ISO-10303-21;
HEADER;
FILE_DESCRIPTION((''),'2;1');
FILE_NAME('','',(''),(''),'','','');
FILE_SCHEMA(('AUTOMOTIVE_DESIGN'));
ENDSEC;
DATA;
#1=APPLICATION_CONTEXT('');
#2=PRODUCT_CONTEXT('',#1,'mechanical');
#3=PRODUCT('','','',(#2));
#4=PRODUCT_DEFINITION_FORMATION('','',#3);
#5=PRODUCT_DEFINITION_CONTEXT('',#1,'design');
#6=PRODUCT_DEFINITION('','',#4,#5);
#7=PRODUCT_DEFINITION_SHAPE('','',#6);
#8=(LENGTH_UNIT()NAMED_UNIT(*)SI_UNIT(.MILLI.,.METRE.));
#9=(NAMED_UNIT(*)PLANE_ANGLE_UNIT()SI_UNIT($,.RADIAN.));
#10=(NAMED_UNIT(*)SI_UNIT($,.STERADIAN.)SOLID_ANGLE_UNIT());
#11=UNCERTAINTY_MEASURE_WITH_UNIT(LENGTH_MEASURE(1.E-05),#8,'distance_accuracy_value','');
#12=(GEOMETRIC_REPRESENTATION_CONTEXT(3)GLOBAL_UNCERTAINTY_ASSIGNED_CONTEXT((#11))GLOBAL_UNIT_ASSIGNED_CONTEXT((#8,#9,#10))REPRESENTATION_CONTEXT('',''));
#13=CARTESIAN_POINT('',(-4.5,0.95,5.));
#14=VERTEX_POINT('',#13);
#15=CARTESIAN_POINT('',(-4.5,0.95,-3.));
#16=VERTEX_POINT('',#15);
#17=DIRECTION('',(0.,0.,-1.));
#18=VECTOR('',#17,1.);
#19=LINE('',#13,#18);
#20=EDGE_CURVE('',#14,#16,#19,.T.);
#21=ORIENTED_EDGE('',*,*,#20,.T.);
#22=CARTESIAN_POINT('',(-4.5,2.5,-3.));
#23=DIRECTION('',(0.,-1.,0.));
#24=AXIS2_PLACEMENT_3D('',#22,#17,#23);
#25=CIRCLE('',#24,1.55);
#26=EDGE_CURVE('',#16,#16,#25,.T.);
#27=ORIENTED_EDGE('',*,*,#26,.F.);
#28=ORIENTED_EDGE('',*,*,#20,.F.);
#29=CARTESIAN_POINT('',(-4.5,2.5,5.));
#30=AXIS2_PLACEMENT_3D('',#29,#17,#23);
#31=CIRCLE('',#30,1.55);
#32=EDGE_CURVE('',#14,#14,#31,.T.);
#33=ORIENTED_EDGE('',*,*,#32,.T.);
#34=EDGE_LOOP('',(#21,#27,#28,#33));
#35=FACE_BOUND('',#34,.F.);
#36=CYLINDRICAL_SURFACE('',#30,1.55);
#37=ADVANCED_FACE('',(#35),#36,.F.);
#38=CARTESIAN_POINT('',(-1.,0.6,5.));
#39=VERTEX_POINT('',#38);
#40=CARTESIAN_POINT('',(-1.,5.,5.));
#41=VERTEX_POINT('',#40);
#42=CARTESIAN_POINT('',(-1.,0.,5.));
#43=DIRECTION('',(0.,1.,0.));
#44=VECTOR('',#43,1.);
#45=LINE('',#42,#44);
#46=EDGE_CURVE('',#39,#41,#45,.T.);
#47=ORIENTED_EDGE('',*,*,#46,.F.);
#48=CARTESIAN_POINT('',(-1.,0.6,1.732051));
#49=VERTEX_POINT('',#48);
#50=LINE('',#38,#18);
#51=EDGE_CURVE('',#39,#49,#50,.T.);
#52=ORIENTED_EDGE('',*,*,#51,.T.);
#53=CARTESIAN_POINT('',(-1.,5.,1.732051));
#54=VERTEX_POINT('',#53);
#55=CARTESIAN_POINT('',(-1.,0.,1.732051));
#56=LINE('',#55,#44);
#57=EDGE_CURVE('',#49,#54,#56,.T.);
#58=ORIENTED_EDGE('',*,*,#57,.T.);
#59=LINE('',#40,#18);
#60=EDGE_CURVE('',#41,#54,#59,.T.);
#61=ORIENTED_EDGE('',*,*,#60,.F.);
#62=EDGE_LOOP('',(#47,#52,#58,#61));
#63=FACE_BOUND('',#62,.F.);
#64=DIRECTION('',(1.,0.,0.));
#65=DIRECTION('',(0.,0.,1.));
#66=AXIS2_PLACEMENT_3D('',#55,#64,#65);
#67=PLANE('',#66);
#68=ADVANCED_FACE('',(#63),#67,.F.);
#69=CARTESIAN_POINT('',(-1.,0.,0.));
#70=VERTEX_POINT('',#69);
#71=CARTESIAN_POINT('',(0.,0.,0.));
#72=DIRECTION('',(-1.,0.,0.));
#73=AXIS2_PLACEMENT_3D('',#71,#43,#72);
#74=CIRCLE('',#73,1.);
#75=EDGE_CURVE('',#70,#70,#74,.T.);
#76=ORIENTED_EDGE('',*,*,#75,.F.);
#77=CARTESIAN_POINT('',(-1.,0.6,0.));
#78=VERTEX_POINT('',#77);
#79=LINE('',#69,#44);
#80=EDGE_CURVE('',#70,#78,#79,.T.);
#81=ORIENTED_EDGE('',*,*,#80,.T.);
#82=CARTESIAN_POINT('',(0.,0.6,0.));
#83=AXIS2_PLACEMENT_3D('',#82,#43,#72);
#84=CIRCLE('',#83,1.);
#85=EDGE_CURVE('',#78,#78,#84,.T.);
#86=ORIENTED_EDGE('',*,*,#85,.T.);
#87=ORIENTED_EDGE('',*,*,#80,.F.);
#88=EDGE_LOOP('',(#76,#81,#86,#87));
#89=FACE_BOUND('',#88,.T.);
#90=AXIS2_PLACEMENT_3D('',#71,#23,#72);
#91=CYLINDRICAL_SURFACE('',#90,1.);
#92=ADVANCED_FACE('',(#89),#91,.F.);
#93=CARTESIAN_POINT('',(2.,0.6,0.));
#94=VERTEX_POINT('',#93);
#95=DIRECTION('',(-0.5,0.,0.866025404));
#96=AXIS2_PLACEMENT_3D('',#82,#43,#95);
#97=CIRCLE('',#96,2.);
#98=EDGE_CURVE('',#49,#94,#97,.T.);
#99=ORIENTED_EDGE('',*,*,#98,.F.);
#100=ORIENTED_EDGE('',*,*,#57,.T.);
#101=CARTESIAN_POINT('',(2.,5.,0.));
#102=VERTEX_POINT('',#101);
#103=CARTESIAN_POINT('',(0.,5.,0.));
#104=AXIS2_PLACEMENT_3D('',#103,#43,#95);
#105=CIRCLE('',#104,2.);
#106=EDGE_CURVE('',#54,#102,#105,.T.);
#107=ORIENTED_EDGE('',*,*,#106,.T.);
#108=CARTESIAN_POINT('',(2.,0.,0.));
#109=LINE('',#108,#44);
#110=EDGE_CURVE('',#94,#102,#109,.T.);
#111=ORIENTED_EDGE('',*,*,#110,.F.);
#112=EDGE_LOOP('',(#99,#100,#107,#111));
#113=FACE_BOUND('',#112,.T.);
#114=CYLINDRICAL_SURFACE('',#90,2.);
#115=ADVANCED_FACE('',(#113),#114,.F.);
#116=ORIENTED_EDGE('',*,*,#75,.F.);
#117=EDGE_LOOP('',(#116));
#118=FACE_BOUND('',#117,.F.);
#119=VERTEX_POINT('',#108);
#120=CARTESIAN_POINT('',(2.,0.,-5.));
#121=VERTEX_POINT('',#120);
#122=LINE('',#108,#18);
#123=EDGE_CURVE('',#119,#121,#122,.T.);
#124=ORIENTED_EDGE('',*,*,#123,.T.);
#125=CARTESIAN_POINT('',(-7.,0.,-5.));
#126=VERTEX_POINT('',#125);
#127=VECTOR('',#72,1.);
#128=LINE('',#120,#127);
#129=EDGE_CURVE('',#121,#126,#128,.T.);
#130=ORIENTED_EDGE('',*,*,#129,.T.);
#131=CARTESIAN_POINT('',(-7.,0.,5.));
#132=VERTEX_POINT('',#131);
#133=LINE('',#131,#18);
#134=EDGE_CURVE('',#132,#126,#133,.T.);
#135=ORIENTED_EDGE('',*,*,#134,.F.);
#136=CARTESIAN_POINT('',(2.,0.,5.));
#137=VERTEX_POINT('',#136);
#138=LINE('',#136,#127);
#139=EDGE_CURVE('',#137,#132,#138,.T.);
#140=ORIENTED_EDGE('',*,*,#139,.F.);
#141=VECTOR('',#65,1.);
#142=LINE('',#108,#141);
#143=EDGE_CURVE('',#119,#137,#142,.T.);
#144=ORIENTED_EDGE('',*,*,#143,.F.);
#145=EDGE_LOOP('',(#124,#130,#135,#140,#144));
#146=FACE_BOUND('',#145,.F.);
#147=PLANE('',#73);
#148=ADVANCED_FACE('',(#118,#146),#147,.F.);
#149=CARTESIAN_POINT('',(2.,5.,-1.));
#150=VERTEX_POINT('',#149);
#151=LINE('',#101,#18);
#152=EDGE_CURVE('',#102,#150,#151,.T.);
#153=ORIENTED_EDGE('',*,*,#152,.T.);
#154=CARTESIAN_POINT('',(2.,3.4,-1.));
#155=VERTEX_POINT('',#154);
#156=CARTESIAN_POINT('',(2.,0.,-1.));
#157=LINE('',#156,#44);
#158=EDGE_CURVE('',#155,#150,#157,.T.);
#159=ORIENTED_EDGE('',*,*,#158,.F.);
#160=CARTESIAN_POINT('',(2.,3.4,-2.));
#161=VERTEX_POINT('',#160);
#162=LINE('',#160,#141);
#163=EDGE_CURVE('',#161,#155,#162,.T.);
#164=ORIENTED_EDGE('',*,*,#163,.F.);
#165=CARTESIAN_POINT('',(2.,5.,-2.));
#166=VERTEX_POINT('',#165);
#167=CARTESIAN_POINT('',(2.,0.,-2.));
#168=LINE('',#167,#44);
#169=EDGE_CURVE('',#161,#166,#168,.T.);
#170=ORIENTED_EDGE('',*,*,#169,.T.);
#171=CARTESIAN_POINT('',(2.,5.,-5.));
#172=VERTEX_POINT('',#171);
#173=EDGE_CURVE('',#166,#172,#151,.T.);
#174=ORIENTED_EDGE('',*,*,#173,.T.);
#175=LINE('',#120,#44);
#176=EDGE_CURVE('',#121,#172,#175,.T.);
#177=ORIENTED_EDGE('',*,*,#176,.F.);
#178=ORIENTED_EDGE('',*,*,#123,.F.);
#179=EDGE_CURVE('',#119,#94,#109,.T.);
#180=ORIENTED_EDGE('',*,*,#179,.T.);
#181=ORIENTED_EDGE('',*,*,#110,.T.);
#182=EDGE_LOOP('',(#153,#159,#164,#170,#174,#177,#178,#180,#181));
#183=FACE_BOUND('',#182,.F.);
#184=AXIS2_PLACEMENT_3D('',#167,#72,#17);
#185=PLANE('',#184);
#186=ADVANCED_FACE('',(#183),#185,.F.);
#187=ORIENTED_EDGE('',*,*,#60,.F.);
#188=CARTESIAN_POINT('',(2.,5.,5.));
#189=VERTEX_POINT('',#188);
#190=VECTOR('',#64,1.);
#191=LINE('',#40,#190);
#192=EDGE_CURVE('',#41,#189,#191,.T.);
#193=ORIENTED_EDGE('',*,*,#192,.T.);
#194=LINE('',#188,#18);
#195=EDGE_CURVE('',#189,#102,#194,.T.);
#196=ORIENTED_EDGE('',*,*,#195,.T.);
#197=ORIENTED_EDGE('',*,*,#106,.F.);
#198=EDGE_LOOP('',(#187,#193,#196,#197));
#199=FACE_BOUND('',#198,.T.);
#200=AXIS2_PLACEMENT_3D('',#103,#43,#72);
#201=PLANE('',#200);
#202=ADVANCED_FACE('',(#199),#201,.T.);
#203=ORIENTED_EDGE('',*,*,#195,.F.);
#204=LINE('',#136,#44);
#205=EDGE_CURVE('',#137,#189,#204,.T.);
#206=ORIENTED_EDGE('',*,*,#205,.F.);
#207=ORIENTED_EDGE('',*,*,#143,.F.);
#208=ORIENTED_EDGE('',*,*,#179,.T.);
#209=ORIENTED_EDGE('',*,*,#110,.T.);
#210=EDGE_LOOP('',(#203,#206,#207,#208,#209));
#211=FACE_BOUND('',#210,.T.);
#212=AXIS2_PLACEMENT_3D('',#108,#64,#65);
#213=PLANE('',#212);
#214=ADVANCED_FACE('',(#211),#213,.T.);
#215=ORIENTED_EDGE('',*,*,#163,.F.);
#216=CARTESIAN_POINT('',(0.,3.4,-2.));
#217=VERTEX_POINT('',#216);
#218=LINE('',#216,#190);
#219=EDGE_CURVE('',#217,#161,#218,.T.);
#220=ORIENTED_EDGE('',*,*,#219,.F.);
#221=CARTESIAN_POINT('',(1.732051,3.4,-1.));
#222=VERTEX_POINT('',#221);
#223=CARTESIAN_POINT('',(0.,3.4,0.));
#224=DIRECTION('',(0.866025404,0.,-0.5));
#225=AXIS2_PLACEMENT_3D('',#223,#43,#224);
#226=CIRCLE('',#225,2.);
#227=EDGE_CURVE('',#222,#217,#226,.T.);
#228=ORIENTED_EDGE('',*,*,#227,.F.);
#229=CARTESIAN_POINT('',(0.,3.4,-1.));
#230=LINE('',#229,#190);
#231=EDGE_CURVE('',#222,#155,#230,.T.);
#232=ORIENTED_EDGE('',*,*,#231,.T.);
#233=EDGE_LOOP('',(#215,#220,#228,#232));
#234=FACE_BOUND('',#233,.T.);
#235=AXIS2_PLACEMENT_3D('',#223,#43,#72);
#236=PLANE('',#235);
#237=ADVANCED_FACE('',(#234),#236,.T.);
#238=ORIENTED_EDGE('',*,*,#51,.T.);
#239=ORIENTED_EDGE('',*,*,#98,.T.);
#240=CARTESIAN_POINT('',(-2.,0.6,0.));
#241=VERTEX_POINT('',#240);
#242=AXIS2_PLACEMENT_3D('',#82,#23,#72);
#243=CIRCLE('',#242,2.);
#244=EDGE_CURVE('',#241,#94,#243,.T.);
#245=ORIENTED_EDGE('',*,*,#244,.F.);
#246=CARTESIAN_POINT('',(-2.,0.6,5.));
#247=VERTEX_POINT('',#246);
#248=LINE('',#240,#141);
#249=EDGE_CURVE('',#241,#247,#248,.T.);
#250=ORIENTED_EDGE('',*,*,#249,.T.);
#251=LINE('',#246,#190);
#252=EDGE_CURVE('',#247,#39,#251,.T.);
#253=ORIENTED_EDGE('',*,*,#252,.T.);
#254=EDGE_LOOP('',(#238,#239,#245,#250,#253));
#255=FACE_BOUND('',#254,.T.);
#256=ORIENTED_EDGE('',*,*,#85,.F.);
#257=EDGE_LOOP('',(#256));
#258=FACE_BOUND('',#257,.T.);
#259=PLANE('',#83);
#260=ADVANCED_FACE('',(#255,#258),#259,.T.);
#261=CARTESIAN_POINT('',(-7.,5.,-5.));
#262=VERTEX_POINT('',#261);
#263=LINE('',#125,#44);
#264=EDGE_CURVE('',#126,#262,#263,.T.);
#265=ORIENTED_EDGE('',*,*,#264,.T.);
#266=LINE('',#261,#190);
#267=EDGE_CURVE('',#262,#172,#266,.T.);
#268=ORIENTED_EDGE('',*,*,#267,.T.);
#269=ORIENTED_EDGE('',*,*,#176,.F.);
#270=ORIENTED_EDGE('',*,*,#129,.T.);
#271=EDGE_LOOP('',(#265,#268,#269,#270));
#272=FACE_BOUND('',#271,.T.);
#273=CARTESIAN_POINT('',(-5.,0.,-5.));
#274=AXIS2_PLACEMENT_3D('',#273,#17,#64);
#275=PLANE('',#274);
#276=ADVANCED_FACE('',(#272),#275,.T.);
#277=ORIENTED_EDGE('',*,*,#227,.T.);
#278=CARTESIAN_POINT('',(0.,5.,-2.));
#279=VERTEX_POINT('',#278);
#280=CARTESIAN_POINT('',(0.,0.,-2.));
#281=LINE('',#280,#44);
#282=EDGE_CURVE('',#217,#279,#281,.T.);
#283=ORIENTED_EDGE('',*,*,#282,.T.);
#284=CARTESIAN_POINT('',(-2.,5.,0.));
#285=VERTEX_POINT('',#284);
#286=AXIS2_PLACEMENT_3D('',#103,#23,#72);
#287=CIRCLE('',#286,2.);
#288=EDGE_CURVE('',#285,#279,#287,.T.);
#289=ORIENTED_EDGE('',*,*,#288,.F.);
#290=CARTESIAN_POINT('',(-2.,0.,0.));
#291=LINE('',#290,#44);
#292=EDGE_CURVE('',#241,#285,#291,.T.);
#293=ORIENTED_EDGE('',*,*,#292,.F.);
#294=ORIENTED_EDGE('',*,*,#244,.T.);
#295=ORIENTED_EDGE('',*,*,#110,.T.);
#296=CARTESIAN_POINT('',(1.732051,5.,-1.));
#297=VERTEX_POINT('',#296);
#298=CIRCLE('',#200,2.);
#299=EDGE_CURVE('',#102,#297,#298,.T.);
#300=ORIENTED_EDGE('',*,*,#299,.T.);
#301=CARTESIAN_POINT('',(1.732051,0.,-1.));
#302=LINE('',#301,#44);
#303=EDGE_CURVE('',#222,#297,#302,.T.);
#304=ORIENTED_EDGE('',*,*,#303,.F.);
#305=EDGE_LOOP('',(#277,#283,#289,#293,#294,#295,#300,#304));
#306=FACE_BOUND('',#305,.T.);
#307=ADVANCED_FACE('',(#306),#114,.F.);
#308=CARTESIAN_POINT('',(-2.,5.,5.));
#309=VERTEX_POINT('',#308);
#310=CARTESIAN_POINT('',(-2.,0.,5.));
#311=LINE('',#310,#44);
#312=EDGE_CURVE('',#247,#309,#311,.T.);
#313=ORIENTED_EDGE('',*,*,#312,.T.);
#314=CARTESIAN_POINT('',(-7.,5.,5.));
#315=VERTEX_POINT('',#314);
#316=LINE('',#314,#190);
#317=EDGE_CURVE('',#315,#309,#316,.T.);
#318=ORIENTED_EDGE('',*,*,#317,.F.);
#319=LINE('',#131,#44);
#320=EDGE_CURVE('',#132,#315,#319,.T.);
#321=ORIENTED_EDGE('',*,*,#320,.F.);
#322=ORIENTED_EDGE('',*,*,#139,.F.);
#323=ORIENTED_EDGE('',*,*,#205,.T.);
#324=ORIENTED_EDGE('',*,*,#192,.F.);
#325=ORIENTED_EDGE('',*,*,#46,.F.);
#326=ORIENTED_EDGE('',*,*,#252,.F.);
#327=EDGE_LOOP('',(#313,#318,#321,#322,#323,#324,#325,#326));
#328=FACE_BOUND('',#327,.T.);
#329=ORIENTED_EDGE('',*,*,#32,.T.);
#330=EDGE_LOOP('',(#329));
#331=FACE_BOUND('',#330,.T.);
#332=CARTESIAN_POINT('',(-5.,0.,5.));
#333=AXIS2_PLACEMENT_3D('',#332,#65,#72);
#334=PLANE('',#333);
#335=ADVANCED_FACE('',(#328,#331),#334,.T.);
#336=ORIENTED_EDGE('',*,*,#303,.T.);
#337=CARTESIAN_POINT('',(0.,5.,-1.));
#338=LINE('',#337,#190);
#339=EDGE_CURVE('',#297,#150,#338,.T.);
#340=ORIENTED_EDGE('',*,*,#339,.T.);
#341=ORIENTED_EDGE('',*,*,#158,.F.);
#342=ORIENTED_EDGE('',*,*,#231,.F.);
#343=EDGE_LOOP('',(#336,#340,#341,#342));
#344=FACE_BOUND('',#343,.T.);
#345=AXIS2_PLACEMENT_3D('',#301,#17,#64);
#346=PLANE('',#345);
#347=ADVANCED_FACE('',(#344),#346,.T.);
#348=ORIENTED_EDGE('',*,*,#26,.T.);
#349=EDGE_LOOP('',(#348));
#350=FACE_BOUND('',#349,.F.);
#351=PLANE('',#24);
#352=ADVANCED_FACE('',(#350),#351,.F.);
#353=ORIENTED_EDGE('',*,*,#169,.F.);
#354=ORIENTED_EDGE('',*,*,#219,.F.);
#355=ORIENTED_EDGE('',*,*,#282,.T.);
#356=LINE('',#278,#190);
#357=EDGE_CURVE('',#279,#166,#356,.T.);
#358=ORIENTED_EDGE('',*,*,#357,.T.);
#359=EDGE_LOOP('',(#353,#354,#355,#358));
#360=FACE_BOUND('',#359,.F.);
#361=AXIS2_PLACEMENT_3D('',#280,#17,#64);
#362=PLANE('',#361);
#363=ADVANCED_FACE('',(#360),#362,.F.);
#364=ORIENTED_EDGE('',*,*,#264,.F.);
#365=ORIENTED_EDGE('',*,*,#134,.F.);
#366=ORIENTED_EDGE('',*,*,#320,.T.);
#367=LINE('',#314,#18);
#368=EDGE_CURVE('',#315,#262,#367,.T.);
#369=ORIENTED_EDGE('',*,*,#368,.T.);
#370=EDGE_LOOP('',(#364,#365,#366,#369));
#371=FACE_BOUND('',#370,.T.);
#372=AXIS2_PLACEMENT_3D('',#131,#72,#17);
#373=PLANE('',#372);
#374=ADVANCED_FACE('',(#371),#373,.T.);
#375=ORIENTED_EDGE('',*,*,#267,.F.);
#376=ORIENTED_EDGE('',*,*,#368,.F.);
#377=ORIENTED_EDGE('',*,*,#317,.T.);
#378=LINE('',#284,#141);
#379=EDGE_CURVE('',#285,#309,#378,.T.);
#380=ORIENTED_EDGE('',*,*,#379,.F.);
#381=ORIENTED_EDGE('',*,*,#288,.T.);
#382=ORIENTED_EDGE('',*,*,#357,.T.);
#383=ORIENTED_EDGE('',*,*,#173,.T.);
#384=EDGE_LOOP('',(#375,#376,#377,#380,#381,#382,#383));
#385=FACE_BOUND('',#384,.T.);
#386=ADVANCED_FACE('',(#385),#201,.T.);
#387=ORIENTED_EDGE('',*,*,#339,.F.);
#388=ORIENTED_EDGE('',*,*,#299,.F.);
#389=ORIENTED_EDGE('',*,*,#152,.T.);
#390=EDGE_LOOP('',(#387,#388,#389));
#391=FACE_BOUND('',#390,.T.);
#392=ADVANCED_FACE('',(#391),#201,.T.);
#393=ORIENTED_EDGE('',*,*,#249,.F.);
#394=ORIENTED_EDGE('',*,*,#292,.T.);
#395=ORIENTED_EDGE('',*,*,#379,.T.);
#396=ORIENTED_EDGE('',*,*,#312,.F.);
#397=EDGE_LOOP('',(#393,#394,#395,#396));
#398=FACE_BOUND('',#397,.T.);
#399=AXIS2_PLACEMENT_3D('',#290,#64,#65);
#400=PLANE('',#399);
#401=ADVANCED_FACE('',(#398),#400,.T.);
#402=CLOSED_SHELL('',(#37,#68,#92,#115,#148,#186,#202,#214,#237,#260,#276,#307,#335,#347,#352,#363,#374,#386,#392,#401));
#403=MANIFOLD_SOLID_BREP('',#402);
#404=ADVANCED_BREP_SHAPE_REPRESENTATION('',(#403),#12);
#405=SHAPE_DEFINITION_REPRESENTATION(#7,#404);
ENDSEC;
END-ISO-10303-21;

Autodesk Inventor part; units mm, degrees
ref_plane "YZ Plane" through (0, 0, 0) normal (1, 0, 0) x (0, 1, 0)
ref_plane "XZ Plane" through (0, 0, 0) normal (0, 1, 0) x (-1, 0, 0)
ref_plane "XY Plane" through (0, 0, 0) normal (0, 0, 1) x (1, 0, 0)
sketch "スケッチ1" plane through (0, 0, 0) normal (0, 1, 0) x (-1, 0, 0)
  circle A0 centre (0, 0) radius 1.15
  circle A1 centre (0, 0) radius 1
  circle A2 centre (0, 0) radius 1.5
  circle A3 centre (0, 0) radius 2
  line L0 (1.5, 0) -> (1, 0)
  line L1 (1, 0) -> (1, 2)
  line L2 (1, 2) -> (1.5, 2)
  line L3 (1.5, 2) -> (1.5, 0)
  line L4 (0, 0) -> (5, 0)
  line L5 (5, 0) -> (5, -5)
  line L6 (5, -5) -> (0, -5)
  line L7 (0, -5) -> (0, 0)
  line L8 (5, -5) -> (0, -5)
  line L9 (0, -5) -> (0, 5)
  line L10 (0, 5) -> (5, 5)
  line L11 (5, 5) -> (5, -5)
  line L12 (0, 0) -> (-2, 0)
  line L13 (-2, 0) -> (-2, -5)
  line L14 (-2, -5) -> (0, -5)
  line L15 (0, -5) -> (0, 0)
  line L16 (-2, -5) -> (1.5, -5)
  line L17 (1.5, -5) -> (1.5, -1.5)
  line L18 (1.5, -1.5) -> (-2, -1.5)
  line L19 (-2, -1.5) -> (-2, -5)
  line L20 (1.5, 2) -> (-2, 2)
  line L21 (-2, 2) -> (-2, 5)
  line L22 (-2, 5) -> (1.5, 5)
  line L23 (1.5, 5) -> (1.5, 2)
  line L24 (-2, 2) -> (1.5, 2)
  line L25 (1.5, 2) -> (1.5, -1.5)
  line L26 (1.5, -1.5) -> (-2, -1.5)
  line L27 (-2, -1.5) -> (-2, 2)
  line L28 (0, -1) -> (-2, -1)
  line L29 (1.5, 2) -> (1, 2)
  line L30 (1, 2) -> (1, 5)
  line L31 (1, 5) -> (1.5, 5)
  line L32 (1.5, 5) -> (1.5, 2)
  line L33 (5, 5) -> (7, 5)
  line L34 (7, 5) -> (7, -5)
  line L35 (7, -5) -> (5, -5)
  line L36 (5, -5) -> (5, 5)
  line L37 (1, 0) -> (2, 0)
  line L38 (2, 0) -> (2, 5.3047)
  line L39 (2, 5.3047) -> (1, 5.3047)
  line L40 (1, 5.3047) -> (1, 0)
  line L41 (0, -2) -> (-2, -2)
  line L42 (-2, -2) -> (-2, -1)
  line L43 (-2, -1) -> (0, -1)
  line L44 (0, -1) -> (0, -2)
  point P0 (0, -1.5)
  point P1 (-2, -1.5)
  point P2 (0, 2)
  point P3 (1, 1.118)
  point P4 (-1.118, -1)
  point P5 (1.5, 5)
  point P6 (1, 1.7321)
  point P7 (-1.7321, -1)
  point P8 (2, 5)
  dimension "d2" = 3
  dimension "d3" = 4
  dimension "d0" = 2.3
  dimension "d1" = 2
  dimension "d4" = 5
  dimension "d5" = 5
  dimension "d6" = 10
  dimension "d15" = 2
extrude "押し出し1" add sketch "スケッチ1" along normal blind 5 contours L4 L5 L6 L17 L25 A3 | L38 L10 L11 L4 | L25 L18 A3 | A3 L20 L1 | A3 L18 L17 L6 L7 | L7 L14 L13 L41 | L11 L33 L34 L35 L5 | L20 L21 L22 L9 | L9 L10 L30 L20 | A3 L27 L20 | L28 L13 A3
extrude "押し出し2" add sketch "スケッチ1" along normal blind 0.6 contours L0 L1 A0 | L0 A2 L7 A0 | A0 L1 A2 L0 | A0 L7 A1 L0 | L1 A1 L9 A0 | A0 L9 A2 L1 | L7 A2 L28 A0 | A0 L28 L7 | L25 A3 L18 A2 | A2 L1 A3 L3 | L3 A3 L4 | L4 A3 L25 | L9 A1 L12 A0 | A0 L12 A2 L9 | A2 L9 A3 L1 | L28 A2 L12 A0 | A0 L12 A1 L28 | L18 A3 L28 A2 | L18 A3 L7 | L7 A3 L18 | L3 L23 L10 L38 A3 | A3 L1 L2 L3 | A2 L12 A3 L9 | L28 A3 L12 A2 | L41 L13 L18 A3 | L18 L13 L28 A3 | L2 L30 L10 L23
extrude "押し出し4" add sketch "スケッチ1" along normal blind 3.4 contours L41 L13 L18 A3 | L18 L13 L28 A3
sketch "スケッチ4" plane through (-7, 0, 5) normal (0, 0, 1) x (1, 0, 0)
  line L0 (9, 5) -> (0, 5) projected
  line L1 (0, 5) -> (2.5, 5)
  line L2 (2.5, 5) -> (2.5, 2.5)
  line L3 (2.5, 2.5) -> (0, 2.5)
  line L4 (0, 2.5) -> (0, 5)
  point P0 (7, 0)
  dimension "d25" = 2.5
  dimension "d26" = 2.5
hole "穴2" at (-4.5, 2.5, 5) direction (0, 0, -1) diameter 3.1 depth 8
properties part number "rod4.3"
